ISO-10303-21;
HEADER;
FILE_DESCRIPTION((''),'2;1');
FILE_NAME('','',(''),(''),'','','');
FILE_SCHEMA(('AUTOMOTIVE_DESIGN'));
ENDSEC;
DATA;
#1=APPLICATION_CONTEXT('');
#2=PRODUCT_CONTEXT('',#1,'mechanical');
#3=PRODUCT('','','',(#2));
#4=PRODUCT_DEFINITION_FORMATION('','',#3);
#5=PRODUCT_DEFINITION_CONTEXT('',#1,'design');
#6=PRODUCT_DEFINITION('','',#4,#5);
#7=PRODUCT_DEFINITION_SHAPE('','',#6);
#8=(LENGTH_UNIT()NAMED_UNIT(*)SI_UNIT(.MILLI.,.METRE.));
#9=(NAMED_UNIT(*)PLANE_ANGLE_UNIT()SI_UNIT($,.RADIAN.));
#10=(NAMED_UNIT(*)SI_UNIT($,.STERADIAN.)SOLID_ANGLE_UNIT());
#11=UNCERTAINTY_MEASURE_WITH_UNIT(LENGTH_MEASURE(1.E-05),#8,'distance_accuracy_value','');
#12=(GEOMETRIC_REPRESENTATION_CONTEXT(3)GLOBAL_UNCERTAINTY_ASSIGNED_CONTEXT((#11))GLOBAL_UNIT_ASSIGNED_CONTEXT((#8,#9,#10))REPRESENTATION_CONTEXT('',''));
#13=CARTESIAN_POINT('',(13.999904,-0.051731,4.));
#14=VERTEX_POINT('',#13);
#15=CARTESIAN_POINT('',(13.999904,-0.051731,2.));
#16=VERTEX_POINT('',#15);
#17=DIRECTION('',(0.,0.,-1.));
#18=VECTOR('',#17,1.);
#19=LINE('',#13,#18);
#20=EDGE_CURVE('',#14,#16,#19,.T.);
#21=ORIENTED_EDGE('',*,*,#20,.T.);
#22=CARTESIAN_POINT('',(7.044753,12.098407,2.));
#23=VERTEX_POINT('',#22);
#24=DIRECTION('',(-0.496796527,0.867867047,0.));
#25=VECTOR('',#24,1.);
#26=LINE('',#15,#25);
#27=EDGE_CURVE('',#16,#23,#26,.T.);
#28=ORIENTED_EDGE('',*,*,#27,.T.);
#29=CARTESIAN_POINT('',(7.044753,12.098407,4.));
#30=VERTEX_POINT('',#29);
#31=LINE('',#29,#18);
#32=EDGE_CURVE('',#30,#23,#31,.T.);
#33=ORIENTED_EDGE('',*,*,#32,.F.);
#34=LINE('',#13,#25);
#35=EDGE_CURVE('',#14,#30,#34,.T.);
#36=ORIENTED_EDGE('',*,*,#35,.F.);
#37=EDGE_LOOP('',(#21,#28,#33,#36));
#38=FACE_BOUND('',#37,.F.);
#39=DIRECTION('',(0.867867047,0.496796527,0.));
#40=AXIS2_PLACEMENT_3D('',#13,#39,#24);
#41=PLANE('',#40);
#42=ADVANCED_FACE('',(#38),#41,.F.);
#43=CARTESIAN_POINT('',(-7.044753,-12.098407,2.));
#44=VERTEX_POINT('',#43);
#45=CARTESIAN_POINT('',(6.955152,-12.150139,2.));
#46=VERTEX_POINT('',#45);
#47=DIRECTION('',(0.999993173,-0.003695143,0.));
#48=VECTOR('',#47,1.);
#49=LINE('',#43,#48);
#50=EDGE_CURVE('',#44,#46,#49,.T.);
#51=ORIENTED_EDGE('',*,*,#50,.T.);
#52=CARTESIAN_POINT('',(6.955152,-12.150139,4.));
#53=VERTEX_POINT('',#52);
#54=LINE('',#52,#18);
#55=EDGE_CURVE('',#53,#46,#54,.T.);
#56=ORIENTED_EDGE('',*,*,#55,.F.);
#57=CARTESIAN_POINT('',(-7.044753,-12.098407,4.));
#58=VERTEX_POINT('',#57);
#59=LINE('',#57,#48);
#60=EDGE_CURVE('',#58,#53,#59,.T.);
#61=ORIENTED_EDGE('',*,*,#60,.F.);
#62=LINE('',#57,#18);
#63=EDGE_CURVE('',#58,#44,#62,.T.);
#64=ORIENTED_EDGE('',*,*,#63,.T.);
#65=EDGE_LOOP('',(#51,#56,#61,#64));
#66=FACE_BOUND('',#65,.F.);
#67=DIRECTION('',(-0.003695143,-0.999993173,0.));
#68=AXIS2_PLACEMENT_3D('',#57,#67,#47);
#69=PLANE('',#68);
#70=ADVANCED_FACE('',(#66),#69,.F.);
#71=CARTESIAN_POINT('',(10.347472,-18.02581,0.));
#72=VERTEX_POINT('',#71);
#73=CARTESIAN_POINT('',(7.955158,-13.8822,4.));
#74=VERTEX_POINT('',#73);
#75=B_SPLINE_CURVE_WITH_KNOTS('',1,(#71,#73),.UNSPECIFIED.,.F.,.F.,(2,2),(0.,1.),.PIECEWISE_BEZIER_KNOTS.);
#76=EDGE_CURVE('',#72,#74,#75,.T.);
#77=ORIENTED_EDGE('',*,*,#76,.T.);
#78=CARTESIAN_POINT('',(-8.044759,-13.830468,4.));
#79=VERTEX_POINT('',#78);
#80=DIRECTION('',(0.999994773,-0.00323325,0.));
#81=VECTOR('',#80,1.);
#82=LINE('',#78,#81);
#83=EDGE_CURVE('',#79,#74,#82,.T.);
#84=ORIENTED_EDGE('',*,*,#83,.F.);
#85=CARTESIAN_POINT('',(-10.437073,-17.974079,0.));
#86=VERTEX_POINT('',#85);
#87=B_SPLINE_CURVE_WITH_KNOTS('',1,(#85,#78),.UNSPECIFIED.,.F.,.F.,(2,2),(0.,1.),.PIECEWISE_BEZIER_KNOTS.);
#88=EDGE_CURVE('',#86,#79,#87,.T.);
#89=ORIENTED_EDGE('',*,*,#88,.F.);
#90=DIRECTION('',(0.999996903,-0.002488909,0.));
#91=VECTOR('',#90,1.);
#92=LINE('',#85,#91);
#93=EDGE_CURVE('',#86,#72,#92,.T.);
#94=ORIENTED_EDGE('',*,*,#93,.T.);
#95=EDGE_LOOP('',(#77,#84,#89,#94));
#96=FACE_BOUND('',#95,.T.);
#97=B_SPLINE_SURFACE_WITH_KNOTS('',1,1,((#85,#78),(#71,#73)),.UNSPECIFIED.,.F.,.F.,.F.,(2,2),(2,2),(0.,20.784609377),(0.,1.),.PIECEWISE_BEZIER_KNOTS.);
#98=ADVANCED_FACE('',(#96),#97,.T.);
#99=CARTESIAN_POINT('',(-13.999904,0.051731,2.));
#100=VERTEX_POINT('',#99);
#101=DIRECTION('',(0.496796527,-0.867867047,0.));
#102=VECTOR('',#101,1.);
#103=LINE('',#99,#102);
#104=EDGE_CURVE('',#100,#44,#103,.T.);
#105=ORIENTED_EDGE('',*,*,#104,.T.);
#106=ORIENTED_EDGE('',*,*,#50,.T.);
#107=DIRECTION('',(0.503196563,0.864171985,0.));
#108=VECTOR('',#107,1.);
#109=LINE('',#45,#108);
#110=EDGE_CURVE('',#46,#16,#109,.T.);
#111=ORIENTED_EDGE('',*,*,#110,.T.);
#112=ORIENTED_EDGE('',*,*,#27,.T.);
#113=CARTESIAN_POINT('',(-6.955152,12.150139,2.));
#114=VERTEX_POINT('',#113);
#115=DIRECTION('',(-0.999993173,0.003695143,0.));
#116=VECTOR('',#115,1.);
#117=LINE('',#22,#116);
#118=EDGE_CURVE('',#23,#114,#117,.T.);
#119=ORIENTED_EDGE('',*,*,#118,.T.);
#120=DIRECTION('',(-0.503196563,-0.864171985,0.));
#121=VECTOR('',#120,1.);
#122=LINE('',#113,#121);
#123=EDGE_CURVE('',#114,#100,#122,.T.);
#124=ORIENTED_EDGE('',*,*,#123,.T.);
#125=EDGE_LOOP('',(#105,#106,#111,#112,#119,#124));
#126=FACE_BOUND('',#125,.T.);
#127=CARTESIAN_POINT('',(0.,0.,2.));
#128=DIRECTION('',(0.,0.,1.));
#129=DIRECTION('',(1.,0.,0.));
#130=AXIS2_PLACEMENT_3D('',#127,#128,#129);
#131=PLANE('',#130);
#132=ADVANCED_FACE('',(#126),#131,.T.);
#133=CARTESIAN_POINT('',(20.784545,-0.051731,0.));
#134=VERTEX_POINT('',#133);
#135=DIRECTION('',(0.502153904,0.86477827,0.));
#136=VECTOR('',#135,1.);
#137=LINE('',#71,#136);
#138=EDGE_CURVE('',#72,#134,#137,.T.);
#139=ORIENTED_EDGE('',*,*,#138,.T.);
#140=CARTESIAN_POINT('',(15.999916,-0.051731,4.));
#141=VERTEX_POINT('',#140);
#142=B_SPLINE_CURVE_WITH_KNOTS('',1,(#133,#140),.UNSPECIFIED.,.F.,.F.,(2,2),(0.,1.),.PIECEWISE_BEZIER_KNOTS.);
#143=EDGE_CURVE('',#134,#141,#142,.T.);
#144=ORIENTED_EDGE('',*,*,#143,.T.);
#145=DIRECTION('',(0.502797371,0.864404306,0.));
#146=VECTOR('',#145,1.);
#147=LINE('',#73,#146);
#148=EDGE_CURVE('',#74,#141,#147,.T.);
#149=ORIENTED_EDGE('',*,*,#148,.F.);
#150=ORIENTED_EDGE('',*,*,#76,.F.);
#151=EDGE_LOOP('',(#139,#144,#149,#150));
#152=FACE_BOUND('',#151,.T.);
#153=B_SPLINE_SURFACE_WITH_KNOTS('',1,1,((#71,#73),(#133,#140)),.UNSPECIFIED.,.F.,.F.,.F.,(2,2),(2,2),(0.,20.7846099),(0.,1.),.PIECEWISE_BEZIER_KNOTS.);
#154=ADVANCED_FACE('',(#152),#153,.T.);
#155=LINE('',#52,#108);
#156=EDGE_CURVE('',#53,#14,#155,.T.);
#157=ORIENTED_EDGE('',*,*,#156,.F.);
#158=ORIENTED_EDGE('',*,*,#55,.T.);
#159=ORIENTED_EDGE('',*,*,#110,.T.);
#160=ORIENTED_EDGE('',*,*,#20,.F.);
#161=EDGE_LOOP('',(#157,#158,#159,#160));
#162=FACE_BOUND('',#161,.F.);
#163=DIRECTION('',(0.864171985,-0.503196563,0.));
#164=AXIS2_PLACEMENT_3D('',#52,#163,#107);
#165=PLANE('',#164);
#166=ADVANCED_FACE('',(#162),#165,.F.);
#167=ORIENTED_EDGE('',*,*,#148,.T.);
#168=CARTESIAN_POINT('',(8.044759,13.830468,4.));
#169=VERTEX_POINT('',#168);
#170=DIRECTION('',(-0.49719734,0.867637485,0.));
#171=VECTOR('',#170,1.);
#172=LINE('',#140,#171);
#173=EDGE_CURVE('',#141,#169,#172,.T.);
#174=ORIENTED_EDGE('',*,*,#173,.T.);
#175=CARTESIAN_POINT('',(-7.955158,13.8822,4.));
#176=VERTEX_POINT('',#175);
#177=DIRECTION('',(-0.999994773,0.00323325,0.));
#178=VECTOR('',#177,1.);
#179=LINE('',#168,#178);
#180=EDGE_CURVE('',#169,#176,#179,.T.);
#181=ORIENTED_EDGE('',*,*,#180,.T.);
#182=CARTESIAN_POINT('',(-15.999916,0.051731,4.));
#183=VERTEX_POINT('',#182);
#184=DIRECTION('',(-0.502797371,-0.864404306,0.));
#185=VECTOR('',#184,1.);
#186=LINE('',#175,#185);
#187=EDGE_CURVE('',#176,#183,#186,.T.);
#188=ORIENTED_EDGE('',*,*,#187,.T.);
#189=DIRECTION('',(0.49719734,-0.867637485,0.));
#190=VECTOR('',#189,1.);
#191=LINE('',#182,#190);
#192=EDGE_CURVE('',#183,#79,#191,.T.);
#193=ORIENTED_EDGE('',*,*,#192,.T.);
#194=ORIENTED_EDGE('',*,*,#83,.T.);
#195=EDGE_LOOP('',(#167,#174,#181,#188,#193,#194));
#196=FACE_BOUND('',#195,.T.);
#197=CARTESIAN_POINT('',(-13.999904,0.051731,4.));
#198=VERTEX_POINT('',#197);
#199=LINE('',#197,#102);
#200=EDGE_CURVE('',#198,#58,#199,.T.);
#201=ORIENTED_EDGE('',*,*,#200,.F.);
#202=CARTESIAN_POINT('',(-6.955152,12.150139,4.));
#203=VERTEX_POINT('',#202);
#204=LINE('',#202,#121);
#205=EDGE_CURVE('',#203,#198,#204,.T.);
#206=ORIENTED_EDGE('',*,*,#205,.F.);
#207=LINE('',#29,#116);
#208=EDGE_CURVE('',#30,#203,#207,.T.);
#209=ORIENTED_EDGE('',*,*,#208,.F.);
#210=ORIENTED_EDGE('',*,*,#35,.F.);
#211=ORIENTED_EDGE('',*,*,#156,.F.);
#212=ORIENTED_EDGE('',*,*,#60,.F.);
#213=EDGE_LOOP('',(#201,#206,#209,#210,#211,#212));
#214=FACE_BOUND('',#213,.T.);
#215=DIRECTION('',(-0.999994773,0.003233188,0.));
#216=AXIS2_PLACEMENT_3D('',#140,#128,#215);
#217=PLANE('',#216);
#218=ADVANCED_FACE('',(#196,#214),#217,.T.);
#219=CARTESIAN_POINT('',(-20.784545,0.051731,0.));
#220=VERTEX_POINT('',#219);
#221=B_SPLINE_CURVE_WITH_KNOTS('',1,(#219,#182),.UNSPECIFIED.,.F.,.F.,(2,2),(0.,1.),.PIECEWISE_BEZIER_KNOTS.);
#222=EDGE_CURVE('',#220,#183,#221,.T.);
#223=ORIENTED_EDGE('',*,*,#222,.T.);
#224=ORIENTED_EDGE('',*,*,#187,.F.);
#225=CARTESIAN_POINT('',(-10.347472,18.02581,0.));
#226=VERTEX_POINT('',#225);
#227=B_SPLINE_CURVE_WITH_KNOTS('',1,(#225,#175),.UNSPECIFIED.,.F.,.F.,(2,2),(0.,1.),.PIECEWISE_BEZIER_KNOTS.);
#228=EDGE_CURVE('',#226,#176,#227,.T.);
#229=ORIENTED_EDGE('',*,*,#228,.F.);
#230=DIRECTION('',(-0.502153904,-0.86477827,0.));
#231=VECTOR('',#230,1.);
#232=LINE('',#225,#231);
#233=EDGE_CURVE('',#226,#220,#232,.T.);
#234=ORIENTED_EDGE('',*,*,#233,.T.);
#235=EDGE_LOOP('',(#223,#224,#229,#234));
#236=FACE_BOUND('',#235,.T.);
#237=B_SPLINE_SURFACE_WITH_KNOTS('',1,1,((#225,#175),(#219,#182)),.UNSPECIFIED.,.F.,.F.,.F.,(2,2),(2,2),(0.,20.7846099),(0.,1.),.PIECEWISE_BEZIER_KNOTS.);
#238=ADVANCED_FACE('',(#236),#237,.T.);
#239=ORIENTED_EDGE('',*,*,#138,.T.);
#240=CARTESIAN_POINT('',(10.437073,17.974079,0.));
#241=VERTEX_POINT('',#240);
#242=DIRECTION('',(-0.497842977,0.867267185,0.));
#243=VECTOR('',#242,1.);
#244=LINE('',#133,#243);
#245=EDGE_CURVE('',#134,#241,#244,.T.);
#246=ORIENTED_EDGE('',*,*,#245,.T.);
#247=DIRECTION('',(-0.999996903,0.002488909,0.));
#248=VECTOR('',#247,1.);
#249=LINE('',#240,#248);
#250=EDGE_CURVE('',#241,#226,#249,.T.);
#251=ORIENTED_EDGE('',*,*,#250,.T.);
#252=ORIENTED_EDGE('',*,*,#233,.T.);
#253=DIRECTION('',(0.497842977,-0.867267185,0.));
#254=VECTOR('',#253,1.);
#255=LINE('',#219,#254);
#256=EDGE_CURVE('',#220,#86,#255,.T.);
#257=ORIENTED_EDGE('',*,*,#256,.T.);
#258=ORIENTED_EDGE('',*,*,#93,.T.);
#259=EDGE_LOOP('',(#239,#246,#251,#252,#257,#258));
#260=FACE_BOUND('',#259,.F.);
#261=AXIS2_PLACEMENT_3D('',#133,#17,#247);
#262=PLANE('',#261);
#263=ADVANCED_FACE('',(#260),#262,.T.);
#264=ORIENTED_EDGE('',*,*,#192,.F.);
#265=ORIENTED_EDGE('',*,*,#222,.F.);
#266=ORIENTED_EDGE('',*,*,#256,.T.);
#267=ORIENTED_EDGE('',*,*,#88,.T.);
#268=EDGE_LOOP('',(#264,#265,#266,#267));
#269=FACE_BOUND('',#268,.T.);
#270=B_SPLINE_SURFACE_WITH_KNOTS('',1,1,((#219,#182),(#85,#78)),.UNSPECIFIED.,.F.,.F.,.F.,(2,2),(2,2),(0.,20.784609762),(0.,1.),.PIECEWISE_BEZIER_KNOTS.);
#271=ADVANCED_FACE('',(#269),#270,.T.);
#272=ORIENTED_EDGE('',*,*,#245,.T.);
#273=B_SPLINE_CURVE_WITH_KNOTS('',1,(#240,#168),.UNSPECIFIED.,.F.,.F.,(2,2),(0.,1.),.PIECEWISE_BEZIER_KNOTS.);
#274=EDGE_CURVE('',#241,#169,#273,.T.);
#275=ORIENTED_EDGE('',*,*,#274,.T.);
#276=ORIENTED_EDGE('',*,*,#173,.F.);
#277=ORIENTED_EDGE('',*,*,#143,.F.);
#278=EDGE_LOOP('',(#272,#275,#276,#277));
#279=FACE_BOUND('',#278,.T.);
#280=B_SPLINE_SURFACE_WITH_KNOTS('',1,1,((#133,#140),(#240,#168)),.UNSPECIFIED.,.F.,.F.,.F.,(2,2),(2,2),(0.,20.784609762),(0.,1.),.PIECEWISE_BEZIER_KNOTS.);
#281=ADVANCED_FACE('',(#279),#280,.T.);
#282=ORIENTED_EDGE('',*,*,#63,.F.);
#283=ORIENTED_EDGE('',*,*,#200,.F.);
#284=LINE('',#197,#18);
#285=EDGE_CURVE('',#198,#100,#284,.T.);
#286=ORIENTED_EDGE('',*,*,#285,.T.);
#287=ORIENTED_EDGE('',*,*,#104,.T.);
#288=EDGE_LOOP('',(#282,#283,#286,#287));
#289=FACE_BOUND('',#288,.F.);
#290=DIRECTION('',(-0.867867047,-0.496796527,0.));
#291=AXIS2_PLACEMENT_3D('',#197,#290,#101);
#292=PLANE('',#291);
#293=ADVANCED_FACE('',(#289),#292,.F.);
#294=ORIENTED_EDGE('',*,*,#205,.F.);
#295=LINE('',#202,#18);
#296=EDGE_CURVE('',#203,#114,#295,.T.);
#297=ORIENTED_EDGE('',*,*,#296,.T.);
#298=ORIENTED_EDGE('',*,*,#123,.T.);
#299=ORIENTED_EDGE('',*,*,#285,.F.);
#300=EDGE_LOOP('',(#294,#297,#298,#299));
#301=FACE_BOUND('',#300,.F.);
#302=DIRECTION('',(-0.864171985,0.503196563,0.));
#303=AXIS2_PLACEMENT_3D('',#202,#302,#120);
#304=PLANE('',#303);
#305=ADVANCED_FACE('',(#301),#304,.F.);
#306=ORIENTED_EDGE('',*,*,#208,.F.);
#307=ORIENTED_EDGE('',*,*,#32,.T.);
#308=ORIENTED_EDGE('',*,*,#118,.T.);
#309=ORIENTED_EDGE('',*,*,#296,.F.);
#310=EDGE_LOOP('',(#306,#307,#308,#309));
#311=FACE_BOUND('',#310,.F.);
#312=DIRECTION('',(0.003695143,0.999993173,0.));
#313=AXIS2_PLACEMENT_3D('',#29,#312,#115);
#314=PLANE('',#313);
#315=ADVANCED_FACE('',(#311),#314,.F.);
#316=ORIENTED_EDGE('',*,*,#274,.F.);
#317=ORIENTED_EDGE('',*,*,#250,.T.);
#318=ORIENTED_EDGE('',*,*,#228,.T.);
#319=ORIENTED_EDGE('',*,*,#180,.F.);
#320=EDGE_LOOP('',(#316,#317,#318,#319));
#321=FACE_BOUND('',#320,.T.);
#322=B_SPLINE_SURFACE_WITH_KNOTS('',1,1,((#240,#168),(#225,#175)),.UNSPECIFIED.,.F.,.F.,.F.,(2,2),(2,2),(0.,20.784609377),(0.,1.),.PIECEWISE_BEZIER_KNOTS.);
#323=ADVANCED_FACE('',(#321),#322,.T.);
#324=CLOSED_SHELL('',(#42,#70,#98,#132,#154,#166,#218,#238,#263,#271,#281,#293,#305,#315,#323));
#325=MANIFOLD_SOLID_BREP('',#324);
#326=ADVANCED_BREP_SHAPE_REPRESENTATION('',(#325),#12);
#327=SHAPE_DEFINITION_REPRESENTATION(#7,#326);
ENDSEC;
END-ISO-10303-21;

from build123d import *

# Parameters (mm, degrees)
F5_DEPTH = 2


with BuildPart() as f3:
    # F0 (on Top) → F3 section 0
    with BuildSketch(Plane.XY):
        Polygon((20.784545, -0.051731), (10.437073, 17.974079), (-10.347472, 18.02581), (-20.784545, 0.051731), (-10.437073, -17.974079), (10.347472, -18.02581), align=None)
    # F2 (on offset) → F3 section 1
    with BuildSketch(Plane.XY.offset(4)):
        Polygon((7.955158, -13.8822), (15.999916, -0.051731), (8.044759, 13.830468), (-7.955158, 13.8822), (-15.999916, 0.051731), (-8.044759, -13.830468), align=None)
    loft()

    # F4 (on face) → F5 (cut)
    with BuildSketch(Plane.XY.offset(4)):
        Polygon((6.955152, -12.150139), (13.999904, -0.051731), (7.044753, 12.098407), (-6.955152, 12.150139), (-13.999904, 0.051731), (-7.044753, -12.098407), align=None)
    extrude(amount=-F5_DEPTH, mode=Mode.SUBTRACT)


solid = f3.part
